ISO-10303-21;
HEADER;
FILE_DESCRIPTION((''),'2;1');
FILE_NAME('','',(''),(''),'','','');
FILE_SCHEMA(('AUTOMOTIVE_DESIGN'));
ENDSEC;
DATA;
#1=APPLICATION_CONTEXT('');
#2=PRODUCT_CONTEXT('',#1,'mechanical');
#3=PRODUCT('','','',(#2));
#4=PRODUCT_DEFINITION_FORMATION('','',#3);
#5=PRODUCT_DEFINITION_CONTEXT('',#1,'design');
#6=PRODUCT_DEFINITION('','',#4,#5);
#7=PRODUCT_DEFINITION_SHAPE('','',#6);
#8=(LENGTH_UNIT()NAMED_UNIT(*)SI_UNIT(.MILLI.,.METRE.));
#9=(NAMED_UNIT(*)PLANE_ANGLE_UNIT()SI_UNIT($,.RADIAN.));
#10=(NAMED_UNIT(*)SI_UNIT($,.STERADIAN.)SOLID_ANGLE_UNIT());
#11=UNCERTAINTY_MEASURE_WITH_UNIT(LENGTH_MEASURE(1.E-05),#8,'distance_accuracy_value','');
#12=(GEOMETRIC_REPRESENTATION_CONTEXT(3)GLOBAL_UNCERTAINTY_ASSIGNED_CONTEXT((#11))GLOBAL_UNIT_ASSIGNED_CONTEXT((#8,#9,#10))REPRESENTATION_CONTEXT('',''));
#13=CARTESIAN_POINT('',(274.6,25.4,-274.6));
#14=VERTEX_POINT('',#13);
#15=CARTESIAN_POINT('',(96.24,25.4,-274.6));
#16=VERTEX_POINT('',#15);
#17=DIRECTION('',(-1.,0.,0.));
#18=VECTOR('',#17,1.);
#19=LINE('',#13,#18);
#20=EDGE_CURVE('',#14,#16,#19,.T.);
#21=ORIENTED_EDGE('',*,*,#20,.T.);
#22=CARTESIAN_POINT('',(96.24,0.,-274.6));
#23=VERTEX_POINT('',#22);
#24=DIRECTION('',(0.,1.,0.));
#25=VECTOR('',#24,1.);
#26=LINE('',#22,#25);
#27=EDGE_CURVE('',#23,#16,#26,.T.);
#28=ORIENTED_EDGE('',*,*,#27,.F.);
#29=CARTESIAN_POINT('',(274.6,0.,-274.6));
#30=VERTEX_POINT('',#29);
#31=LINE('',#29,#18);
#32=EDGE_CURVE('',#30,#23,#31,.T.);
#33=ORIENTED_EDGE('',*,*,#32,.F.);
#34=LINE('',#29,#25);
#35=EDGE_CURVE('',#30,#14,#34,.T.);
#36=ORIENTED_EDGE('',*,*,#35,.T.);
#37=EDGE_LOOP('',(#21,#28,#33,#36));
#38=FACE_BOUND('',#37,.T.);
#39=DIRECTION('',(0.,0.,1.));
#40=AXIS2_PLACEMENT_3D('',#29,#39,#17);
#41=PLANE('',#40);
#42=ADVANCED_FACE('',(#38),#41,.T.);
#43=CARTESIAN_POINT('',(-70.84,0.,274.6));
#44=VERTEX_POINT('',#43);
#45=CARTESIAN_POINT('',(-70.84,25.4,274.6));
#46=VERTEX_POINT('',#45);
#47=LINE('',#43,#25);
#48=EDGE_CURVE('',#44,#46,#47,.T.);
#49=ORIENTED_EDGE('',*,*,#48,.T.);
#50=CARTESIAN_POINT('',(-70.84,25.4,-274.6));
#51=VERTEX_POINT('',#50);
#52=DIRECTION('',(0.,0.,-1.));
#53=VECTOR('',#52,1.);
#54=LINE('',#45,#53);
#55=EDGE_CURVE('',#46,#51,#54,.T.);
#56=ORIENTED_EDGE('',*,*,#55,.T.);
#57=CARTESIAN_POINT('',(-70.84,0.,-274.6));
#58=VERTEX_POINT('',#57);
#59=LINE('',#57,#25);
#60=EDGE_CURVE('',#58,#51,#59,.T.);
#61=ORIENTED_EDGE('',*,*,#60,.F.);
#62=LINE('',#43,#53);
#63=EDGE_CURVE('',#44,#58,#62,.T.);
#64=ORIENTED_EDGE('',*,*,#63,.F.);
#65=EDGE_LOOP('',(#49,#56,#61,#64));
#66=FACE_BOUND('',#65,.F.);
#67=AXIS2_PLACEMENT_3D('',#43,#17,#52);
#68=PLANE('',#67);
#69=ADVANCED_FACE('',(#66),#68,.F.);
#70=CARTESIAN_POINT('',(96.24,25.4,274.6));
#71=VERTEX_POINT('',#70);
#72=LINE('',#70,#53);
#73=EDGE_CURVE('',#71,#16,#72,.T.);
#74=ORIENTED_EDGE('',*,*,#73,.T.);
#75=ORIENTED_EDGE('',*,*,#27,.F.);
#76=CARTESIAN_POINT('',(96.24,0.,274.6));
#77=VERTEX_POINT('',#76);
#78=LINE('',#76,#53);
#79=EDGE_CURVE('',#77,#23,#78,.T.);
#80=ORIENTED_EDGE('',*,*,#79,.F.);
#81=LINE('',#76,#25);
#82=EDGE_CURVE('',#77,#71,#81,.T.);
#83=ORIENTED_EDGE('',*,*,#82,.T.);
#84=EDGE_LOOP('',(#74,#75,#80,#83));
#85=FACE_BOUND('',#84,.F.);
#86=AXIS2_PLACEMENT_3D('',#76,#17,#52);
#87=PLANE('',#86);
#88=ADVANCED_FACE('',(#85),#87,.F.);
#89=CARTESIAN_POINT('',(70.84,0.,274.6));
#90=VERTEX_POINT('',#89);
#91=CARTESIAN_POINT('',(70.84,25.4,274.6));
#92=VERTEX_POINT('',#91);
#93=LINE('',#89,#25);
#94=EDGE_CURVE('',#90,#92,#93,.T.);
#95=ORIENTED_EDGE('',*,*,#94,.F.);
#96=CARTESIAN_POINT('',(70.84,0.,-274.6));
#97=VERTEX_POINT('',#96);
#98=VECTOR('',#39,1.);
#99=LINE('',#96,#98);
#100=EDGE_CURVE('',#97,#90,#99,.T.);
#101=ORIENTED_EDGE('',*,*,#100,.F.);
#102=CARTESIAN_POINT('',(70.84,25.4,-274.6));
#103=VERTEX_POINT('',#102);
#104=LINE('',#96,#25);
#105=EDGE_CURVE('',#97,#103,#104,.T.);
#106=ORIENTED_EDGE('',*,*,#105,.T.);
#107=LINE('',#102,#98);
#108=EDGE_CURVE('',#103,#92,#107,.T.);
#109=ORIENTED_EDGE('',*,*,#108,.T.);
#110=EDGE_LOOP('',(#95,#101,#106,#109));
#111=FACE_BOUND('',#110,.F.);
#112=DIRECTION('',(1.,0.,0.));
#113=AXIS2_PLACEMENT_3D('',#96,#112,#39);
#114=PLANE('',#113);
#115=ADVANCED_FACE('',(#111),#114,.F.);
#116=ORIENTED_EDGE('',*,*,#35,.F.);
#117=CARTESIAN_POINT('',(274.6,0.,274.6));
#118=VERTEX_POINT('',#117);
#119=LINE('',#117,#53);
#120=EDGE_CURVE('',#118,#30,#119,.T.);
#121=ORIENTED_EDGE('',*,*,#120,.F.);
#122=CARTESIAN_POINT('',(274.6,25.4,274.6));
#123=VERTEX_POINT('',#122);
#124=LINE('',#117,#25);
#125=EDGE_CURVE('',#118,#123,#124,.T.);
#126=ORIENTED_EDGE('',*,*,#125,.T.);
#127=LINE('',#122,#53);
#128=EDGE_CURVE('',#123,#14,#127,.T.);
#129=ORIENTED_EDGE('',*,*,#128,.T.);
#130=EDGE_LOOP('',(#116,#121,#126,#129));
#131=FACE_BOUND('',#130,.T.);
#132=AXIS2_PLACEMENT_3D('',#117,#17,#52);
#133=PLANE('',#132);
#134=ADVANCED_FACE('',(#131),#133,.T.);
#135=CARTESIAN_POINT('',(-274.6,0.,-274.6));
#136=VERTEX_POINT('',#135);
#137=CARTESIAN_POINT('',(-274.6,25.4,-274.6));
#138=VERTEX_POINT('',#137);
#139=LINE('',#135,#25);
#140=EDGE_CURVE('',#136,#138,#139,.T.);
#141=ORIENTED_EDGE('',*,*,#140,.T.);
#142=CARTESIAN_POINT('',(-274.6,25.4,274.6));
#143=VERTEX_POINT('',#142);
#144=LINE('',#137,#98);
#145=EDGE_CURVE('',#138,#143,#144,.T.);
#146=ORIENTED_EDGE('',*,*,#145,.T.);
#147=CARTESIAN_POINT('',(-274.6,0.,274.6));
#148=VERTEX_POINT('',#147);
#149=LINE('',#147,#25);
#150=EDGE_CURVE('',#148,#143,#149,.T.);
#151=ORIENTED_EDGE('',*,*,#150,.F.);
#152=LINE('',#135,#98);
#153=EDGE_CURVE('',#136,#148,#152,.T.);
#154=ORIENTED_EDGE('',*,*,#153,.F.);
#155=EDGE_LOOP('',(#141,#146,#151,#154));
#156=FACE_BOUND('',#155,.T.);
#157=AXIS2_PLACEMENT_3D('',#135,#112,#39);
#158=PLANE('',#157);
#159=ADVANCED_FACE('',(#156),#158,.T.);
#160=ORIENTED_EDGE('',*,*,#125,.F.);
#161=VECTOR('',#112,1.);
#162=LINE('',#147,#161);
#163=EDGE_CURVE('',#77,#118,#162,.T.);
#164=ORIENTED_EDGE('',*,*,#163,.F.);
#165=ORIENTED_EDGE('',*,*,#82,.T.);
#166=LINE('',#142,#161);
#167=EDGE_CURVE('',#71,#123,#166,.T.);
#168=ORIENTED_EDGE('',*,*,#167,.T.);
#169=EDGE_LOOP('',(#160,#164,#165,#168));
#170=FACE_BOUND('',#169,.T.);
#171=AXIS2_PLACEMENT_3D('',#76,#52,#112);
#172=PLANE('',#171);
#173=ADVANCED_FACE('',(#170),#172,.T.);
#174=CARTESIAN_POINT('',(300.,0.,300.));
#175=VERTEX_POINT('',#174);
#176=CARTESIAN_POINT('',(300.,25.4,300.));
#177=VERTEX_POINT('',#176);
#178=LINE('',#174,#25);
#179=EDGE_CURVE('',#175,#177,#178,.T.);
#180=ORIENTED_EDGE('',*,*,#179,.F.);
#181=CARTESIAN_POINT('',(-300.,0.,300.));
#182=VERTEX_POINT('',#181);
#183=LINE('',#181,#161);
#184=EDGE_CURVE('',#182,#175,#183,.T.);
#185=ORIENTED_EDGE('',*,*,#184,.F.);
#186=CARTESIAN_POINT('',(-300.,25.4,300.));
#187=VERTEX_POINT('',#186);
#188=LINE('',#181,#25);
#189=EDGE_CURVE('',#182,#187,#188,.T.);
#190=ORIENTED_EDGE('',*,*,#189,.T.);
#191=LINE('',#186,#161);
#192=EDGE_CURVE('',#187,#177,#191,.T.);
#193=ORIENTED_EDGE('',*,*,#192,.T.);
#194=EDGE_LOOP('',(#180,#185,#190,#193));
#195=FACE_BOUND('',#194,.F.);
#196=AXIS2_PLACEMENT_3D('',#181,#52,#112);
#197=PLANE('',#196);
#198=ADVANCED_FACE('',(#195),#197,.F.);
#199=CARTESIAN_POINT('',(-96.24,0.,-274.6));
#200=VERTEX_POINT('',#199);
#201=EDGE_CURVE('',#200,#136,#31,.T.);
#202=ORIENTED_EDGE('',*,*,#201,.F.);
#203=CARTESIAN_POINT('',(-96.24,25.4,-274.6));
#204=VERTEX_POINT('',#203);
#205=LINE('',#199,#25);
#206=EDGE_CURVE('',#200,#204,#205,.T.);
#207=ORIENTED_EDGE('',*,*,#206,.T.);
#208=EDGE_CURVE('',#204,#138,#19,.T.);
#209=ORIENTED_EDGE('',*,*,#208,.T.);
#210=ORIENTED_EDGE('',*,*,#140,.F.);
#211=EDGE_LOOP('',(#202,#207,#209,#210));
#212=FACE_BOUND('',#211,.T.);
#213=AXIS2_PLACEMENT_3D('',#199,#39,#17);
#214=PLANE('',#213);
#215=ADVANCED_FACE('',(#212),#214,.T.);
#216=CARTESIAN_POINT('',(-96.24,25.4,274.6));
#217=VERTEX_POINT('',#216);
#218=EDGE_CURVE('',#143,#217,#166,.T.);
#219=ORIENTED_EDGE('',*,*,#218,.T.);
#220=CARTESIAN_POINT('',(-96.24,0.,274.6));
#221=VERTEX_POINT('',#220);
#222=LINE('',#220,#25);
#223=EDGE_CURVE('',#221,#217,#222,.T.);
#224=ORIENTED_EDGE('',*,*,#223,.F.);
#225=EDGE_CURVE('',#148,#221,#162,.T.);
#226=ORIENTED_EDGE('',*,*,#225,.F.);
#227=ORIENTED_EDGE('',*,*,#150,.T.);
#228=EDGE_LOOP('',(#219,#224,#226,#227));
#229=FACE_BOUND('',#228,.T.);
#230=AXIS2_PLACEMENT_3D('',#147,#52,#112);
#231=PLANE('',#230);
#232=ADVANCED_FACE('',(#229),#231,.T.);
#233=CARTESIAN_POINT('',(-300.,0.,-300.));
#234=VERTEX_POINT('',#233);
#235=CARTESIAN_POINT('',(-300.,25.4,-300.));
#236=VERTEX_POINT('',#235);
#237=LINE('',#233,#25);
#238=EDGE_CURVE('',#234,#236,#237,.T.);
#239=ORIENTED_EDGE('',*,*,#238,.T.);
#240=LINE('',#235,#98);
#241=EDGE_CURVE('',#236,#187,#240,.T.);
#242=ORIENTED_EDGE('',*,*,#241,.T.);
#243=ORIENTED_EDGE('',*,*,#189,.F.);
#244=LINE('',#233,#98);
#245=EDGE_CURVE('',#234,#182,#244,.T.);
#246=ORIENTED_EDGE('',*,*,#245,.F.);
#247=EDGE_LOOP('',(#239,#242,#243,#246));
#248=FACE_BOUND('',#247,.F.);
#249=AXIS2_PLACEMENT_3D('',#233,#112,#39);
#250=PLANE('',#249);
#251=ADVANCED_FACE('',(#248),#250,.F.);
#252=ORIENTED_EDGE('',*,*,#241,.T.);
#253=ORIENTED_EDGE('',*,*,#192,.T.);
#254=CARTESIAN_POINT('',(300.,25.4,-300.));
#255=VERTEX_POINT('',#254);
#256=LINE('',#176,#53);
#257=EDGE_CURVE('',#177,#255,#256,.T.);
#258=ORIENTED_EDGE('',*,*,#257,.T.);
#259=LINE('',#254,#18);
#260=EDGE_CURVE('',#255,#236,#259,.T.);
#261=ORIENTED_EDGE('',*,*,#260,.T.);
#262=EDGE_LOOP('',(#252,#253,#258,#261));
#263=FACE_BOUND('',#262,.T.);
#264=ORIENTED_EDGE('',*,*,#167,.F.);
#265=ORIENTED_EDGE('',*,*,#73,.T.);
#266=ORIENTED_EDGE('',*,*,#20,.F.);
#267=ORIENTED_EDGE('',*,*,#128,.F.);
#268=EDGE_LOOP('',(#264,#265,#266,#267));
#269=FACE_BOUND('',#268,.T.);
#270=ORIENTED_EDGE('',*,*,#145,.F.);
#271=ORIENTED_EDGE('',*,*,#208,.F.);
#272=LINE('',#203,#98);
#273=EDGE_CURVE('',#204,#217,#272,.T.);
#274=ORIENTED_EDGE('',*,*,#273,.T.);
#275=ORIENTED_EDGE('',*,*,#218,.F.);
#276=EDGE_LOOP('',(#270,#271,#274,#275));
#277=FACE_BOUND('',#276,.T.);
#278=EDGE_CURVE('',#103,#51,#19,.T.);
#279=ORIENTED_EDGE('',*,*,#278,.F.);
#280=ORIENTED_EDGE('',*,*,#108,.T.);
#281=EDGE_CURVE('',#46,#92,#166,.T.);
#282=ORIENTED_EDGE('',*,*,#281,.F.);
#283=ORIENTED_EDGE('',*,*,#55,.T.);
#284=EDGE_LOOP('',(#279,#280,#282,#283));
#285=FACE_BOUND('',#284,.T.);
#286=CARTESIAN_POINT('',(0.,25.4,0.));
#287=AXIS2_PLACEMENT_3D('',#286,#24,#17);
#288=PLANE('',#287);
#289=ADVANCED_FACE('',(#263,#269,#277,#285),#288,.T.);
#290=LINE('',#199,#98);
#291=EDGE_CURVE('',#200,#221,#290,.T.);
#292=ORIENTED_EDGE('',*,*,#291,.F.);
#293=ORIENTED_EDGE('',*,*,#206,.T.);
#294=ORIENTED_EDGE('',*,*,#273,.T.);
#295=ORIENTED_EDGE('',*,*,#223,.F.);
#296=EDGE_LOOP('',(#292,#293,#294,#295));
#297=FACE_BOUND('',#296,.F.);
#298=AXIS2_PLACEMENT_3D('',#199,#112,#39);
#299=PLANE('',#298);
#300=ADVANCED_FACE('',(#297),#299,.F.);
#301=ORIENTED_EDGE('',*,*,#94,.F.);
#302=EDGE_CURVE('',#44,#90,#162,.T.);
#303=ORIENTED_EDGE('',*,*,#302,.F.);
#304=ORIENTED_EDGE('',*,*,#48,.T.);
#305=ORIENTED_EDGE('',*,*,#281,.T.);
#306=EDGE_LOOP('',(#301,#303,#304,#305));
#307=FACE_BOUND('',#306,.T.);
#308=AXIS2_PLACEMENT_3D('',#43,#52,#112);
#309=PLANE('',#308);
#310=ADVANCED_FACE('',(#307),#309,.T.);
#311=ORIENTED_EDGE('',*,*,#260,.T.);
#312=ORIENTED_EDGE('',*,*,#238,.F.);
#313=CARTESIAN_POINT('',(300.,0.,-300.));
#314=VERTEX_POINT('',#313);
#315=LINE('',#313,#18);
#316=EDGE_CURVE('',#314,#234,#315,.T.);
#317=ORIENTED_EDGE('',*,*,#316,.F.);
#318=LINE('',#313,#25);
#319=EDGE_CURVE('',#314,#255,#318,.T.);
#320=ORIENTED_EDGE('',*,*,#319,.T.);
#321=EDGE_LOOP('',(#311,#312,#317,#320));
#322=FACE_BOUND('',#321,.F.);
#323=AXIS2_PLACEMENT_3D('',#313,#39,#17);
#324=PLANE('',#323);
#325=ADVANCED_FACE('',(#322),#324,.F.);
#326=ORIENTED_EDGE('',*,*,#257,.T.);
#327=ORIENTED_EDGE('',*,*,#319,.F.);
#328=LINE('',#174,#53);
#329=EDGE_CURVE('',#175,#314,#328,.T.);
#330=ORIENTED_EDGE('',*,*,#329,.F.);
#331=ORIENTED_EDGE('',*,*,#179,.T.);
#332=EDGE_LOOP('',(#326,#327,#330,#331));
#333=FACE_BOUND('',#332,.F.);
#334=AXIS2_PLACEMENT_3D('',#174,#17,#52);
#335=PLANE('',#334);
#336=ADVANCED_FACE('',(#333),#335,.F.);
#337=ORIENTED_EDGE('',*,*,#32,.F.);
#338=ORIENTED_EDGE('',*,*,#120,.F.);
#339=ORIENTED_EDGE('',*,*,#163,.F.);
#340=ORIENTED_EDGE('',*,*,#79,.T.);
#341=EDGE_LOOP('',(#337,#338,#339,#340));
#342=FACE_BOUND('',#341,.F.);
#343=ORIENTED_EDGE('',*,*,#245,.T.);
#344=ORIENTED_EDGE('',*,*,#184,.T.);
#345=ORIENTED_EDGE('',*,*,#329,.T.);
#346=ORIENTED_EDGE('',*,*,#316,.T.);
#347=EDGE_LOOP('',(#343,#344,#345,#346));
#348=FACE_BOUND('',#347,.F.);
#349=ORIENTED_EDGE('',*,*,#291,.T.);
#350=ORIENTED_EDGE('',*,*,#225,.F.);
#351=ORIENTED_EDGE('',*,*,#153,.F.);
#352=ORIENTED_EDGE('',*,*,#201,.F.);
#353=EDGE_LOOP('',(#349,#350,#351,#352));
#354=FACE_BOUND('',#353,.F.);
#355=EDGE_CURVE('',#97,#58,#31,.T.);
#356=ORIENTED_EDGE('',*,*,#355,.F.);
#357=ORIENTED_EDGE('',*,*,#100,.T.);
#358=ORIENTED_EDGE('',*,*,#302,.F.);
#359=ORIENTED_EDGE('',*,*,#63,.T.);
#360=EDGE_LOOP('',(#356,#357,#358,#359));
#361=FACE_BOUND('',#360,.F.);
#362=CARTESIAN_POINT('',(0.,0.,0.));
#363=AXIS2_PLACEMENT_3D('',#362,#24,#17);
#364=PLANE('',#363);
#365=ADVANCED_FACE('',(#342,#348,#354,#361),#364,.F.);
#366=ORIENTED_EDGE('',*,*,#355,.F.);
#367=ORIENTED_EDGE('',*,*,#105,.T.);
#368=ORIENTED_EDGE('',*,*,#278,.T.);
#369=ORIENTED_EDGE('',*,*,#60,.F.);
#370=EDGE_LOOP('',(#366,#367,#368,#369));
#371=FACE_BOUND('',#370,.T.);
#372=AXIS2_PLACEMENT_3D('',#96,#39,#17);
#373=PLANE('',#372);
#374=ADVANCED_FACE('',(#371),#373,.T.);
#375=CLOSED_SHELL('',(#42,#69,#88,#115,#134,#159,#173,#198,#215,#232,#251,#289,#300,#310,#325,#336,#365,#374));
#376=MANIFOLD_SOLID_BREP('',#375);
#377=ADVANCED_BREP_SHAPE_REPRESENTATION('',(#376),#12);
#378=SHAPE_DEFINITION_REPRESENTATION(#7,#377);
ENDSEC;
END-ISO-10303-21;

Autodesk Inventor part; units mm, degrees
ref_plane "YZ Plane" through (0, 0, 0) normal (1, 0, 0) x (0, 1, 0)
ref_plane "XZ Plane" through (0, 0, 0) normal (0, 1, 0) x (-1, 0, 0)
ref_plane "XY Plane" through (0, 0, 0) normal (0, 0, 1) x (1, 0, 0)
sketch "Sketch1" plane through (0, 0, 0) normal (0, 1, 0) x (-1, 0, 0)
  line L0 (300, 300) -> (-300, 300)
  line L1 (-300, 300) -> (-300, -300)
  line L2 (-300, -300) -> (300, -300)
  line L3 (300, -300) -> (300, 300)
  line L4 (300, 300) -> (-300, -300) construction
  line L5 (-300, 300) -> (300, -300) construction
  line L6 (274.6, 274.6) -> (-274.6, 274.6)
  line L7 (-274.6, 274.6) -> (-274.6, -274.6)
  line L8 (-274.6, -274.6) -> (274.6, -274.6)
  line L9 (274.6, -274.6) -> (274.6, 274.6)
  line L10 (-70.84, -274.6) -> (-70.84, 274.6)
  line L11 (-96.24, 274.6) -> (-96.24, -274.6)
  line L12 (96.24, -274.6) -> (96.24, 274.6)
  line L13 (70.84, 274.6) -> (70.84, -274.6)
  line L14 (0, 0) -> (0, -274.6) construction
  dimension "d0" = 600
  dimension "d1" = 600
  dimension "d2" = 25.4
  dimension "d3" = 25.4
  dimension "d4" = 396.24
extrude "Extrusion1" add sketch "Sketch1" along normal blind 25.4 contours L3 L2 L1 L0 | L12 L8 L13 L6 | L10 L8 L11 L6
properties part number "MockChassis(delete asap)"
